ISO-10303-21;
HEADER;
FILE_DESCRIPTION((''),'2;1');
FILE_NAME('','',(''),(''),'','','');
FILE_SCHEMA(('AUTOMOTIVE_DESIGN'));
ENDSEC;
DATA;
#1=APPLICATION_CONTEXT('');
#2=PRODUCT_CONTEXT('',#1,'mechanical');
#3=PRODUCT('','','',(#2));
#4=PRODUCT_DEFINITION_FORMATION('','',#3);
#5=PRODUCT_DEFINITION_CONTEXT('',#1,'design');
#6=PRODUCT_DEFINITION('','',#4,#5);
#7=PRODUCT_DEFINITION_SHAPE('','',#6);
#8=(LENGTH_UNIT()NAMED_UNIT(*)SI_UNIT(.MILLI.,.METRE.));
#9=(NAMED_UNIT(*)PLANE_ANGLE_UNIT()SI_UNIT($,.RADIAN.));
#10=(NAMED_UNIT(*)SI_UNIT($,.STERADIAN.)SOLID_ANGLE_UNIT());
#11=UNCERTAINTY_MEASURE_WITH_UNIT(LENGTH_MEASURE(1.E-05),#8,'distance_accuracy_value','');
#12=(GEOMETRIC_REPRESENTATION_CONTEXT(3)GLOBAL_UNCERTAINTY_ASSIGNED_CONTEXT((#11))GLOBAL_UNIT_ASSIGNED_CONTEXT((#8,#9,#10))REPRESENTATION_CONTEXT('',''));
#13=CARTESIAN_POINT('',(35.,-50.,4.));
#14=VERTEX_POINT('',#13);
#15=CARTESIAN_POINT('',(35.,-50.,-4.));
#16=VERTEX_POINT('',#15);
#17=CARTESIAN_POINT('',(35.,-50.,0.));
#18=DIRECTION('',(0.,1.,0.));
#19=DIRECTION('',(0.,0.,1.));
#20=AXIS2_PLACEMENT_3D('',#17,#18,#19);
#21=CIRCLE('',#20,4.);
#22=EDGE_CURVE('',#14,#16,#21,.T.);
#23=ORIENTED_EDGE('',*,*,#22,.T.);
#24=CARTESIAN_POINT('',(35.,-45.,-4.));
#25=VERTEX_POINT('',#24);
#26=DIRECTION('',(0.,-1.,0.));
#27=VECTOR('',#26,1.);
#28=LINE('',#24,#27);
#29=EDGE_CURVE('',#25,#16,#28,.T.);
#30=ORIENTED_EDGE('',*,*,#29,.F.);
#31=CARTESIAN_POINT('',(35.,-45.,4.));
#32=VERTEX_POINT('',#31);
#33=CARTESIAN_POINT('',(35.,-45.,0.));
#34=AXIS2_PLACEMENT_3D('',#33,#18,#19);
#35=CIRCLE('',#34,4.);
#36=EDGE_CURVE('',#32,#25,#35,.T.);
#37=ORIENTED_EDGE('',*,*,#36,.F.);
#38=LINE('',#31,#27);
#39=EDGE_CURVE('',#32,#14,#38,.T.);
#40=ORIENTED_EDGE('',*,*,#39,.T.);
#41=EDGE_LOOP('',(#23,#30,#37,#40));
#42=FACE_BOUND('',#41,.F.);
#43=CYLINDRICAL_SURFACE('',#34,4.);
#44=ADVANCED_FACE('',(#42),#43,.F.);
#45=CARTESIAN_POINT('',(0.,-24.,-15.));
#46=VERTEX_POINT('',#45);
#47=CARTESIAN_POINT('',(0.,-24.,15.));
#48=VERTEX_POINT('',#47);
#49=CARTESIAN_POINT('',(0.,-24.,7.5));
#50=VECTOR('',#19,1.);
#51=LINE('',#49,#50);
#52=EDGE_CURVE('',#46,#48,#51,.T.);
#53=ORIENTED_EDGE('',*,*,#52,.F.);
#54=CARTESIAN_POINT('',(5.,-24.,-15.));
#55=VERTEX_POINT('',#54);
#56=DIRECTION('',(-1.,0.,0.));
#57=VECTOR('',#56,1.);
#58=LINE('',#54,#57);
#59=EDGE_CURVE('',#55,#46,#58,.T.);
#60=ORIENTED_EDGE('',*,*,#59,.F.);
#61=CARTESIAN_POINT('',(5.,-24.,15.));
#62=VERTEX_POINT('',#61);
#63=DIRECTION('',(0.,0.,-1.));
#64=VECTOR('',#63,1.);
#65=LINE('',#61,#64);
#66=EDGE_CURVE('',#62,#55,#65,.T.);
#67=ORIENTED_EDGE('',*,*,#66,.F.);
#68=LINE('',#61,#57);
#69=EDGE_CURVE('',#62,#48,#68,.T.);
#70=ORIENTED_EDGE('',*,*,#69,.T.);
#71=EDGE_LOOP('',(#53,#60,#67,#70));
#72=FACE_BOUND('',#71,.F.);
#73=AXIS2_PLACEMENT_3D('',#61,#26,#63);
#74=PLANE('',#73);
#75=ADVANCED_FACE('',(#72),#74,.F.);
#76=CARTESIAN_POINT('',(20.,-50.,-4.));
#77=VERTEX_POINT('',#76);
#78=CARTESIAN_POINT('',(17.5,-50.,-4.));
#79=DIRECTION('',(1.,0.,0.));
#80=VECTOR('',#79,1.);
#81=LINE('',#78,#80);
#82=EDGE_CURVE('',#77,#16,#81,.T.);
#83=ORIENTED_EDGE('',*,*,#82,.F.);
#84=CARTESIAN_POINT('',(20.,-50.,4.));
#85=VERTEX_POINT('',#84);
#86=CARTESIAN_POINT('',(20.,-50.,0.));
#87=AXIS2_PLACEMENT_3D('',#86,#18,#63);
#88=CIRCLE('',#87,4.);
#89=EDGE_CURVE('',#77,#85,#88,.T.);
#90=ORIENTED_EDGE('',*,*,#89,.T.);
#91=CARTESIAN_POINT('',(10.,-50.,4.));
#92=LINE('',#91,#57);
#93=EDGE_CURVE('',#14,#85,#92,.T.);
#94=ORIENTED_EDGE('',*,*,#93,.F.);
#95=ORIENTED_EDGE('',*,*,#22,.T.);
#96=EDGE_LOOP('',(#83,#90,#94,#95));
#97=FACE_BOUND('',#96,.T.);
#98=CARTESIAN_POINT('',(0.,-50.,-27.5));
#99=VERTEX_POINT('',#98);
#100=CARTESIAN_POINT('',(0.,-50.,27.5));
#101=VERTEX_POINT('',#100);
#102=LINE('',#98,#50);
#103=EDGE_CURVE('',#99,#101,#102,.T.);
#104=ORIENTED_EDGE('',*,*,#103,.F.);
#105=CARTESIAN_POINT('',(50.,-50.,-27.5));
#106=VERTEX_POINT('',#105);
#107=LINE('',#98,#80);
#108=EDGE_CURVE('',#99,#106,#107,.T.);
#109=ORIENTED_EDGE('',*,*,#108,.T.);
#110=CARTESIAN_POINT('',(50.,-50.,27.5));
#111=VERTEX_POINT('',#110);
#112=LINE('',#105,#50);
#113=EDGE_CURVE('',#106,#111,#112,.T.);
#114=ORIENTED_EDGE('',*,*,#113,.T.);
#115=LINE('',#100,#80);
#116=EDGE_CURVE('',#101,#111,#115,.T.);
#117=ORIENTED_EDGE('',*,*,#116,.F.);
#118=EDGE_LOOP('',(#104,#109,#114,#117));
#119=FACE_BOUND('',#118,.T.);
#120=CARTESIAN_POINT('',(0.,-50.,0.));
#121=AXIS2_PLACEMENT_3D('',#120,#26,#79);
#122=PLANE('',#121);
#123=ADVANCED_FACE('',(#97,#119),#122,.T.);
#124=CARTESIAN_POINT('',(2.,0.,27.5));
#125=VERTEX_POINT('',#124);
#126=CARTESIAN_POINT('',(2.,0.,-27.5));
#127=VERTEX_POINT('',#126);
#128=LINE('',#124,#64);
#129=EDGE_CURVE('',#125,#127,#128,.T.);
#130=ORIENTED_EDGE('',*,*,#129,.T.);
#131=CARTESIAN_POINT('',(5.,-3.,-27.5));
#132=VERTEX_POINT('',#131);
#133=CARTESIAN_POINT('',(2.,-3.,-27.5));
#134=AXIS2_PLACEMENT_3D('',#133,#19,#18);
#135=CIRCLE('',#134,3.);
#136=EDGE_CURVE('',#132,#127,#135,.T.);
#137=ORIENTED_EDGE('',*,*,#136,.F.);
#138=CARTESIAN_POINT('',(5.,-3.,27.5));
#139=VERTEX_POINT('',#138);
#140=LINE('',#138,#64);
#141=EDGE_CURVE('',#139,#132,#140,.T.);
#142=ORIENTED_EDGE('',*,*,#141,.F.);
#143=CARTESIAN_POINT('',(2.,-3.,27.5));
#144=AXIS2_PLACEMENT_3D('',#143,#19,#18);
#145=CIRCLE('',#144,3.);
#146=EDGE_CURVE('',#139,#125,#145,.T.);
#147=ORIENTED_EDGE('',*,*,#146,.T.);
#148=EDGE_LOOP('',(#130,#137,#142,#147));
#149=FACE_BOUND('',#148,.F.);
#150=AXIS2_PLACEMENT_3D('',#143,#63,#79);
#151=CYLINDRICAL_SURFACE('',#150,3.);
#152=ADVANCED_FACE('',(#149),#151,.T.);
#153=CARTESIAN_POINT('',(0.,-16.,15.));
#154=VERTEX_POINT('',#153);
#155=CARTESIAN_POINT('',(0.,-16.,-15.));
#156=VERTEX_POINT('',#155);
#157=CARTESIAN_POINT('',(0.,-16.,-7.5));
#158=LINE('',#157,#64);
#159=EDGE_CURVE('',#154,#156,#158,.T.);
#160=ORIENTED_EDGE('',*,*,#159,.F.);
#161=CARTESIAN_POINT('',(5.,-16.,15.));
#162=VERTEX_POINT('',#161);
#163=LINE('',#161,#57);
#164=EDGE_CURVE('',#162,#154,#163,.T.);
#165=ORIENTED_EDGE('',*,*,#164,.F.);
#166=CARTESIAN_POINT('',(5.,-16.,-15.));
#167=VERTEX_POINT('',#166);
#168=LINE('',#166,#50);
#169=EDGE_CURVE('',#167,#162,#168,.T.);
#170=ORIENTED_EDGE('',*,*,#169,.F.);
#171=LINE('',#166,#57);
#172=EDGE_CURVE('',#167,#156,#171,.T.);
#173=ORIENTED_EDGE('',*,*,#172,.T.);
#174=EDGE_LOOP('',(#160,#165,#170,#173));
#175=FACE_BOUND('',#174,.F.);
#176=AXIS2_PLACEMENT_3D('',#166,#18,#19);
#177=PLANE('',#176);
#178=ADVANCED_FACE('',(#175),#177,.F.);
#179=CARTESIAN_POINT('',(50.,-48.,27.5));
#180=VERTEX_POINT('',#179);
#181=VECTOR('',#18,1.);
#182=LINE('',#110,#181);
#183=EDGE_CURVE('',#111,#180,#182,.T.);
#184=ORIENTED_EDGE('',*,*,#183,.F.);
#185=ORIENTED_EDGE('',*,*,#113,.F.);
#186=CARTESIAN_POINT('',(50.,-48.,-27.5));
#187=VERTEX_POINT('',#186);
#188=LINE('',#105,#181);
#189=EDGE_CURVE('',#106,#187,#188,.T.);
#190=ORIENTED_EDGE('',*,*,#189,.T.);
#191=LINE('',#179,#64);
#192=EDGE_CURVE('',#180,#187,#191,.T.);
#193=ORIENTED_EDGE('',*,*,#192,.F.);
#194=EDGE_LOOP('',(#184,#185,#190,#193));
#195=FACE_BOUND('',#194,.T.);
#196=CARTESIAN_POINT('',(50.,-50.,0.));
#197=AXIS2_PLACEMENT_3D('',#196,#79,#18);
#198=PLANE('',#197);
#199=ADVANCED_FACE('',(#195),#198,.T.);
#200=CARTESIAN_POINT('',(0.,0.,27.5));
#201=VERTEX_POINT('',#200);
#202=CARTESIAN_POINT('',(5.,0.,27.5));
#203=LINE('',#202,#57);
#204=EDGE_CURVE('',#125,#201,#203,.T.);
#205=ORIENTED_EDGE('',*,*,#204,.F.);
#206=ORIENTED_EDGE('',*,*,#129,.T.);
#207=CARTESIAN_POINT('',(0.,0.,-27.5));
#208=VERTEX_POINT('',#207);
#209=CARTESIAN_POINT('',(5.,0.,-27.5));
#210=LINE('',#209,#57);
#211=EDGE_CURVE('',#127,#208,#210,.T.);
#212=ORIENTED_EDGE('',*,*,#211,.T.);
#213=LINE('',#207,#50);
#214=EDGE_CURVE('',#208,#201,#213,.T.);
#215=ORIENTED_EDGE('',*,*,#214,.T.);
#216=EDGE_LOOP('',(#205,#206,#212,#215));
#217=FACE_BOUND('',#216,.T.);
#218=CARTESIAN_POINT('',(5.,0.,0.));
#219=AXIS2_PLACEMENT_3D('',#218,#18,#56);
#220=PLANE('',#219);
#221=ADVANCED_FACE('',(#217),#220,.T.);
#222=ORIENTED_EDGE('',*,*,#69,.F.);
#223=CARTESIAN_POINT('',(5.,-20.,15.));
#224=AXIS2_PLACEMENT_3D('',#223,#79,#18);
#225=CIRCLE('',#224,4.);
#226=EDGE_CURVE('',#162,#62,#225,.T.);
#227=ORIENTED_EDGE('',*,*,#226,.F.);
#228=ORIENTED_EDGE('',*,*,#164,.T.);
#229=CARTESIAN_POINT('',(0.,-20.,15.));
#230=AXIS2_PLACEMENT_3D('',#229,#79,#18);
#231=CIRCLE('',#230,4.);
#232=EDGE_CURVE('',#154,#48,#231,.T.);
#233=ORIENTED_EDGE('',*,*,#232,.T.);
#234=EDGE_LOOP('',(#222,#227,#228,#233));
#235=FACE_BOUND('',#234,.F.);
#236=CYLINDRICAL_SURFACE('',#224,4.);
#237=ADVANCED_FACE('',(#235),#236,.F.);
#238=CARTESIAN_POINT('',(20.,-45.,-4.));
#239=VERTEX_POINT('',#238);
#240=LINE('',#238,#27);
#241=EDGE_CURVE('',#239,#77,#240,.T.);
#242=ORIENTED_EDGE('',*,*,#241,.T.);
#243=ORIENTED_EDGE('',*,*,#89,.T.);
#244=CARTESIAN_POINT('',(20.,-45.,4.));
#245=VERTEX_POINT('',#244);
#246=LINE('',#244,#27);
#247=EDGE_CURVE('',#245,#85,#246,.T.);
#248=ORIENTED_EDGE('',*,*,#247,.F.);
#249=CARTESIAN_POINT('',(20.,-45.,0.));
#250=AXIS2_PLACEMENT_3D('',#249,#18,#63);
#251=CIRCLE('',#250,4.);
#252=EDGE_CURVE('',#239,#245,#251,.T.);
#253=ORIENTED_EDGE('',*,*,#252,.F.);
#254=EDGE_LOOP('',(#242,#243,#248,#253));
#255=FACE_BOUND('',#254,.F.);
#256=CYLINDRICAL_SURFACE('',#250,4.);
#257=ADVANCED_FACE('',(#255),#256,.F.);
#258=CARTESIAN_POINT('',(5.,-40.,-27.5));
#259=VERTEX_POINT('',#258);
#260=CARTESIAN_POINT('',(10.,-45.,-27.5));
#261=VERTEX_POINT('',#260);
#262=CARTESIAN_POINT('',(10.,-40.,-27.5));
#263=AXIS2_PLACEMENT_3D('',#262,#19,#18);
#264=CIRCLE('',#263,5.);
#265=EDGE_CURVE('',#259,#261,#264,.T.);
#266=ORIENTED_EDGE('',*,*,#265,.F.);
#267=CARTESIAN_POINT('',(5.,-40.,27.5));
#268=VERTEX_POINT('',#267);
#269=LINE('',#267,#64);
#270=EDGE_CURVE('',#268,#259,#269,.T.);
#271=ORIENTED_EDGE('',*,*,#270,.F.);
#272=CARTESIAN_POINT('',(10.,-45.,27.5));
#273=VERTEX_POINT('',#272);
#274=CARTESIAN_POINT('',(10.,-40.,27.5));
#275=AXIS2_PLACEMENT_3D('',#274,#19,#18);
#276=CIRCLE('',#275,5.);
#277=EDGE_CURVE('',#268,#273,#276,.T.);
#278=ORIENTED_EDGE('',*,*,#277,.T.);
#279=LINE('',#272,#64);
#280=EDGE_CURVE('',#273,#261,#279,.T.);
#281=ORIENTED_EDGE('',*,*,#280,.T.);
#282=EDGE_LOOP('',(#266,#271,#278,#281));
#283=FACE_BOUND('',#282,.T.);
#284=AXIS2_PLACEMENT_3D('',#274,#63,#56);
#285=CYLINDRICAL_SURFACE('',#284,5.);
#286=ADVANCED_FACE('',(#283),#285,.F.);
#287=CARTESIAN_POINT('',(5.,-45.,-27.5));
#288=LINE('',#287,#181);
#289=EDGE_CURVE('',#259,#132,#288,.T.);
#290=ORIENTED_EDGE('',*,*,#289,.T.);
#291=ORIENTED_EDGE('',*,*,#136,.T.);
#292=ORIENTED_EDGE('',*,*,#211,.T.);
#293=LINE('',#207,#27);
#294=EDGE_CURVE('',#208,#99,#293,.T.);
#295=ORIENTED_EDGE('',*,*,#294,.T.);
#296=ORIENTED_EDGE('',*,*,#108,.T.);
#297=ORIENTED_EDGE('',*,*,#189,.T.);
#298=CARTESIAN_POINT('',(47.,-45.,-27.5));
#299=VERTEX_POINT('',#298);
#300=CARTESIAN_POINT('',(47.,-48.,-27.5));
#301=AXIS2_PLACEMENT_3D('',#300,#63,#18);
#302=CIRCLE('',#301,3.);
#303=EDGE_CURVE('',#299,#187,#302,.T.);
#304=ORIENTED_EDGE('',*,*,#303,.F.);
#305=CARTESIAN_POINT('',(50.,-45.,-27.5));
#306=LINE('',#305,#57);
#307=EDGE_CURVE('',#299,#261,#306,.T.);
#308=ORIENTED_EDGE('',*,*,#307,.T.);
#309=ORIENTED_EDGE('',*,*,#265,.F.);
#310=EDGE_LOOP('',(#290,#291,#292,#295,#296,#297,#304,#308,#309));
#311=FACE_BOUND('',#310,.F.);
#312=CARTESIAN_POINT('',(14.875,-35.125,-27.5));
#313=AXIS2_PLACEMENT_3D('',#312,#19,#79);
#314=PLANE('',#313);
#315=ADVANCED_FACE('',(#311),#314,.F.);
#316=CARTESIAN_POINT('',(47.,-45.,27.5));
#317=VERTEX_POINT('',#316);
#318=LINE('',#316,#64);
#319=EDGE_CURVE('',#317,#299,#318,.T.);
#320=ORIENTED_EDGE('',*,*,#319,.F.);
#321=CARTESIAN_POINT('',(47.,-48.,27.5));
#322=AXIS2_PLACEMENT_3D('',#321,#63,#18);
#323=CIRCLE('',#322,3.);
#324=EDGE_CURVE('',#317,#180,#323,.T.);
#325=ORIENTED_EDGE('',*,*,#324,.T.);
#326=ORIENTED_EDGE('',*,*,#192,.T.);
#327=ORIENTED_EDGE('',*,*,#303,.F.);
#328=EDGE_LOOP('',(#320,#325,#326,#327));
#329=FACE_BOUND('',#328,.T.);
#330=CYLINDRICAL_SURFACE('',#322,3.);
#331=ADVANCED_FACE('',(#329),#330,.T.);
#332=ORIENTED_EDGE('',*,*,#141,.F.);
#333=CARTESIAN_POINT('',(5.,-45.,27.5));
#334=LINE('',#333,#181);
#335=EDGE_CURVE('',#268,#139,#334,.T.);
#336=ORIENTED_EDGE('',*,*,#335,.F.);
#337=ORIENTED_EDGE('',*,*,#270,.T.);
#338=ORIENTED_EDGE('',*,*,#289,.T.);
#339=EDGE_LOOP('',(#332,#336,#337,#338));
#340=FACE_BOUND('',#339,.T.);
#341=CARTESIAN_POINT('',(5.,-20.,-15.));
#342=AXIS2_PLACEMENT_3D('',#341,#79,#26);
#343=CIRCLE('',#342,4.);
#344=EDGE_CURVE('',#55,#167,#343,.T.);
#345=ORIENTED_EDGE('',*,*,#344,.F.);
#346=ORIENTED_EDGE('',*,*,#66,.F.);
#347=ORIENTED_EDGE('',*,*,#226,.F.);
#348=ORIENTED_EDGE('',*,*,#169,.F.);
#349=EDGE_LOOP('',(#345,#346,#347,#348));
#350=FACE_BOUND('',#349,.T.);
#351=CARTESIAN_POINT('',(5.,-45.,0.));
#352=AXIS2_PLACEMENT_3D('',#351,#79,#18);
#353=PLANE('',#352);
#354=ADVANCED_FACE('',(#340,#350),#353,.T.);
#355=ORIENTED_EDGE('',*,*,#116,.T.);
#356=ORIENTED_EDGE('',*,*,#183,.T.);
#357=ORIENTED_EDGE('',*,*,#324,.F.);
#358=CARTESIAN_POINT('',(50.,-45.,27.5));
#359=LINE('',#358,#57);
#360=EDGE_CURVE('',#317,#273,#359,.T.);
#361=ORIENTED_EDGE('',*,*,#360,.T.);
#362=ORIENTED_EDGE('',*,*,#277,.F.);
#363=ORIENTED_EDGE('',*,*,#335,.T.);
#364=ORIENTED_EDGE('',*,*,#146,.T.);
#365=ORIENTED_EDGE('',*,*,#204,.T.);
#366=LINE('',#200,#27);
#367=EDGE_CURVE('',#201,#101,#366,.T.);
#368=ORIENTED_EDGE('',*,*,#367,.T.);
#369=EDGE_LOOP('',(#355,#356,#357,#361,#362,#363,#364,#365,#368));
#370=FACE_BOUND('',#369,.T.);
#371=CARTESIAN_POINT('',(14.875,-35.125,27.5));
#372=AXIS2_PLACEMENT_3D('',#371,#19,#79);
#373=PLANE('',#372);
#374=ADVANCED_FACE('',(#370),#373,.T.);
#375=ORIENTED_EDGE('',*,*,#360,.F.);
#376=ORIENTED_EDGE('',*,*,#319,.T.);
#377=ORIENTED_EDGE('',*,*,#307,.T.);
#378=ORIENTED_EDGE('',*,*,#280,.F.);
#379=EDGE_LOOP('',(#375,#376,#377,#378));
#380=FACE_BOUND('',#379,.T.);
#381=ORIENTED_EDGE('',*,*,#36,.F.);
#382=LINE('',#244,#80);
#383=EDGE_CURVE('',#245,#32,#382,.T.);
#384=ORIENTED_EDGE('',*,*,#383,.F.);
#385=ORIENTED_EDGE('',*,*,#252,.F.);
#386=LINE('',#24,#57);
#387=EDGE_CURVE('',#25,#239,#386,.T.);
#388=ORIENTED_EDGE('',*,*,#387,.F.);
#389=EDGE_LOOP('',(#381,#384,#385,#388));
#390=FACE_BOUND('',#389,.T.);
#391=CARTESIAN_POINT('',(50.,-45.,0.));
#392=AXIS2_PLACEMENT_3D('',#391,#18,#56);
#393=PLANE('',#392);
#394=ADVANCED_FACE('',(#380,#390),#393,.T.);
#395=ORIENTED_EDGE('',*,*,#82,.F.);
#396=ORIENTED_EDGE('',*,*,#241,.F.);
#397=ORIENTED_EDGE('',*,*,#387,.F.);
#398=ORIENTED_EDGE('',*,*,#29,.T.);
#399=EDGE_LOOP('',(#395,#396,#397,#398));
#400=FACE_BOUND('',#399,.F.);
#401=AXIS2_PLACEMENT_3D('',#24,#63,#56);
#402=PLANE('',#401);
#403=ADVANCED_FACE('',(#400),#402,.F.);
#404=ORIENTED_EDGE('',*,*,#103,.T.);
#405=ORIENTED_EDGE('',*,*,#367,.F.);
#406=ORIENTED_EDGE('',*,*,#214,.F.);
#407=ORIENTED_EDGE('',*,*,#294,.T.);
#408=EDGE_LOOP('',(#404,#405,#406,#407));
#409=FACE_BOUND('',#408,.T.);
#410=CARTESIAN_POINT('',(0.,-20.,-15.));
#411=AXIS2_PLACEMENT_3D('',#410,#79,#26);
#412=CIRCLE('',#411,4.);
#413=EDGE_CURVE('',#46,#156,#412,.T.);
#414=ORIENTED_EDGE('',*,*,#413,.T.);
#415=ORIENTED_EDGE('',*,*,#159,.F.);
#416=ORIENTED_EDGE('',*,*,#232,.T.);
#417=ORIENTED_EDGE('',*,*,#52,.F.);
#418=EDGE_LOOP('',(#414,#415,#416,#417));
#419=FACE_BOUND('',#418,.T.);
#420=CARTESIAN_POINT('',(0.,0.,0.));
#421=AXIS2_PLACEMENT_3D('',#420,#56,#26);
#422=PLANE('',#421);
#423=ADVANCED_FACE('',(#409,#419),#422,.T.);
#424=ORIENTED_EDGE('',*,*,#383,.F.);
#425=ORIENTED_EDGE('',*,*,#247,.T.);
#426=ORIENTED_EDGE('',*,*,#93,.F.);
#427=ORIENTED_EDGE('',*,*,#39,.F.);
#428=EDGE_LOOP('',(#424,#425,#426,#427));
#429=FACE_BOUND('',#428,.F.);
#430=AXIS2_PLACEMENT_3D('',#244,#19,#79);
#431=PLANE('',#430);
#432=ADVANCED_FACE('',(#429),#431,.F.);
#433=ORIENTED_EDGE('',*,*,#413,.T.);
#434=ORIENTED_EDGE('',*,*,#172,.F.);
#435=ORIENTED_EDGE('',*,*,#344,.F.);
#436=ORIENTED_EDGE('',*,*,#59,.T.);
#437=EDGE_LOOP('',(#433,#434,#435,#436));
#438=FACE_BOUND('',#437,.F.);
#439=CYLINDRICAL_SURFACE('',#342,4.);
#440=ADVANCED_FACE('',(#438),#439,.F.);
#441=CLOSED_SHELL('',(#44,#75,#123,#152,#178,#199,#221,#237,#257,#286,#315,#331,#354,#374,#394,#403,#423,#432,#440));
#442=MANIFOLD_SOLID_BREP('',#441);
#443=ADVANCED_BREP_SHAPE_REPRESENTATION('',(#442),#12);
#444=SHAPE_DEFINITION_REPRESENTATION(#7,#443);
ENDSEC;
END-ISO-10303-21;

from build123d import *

# Parameters (mm, degrees)
F1_DEPTH = 27.5
F2_R     = 5
F3_R     = 3
F5_DEPTH = 5.001
F7_DEPTH = 5.001


with BuildPart() as f1:
    # F0 (on Top) → F1 (new body, symmetric)
    with BuildSketch(Plane.XY):
        Polygon((5, 0), (0, 0), (0, -50), (50, -50), (50, -45), (5, -45), align=None)
    extrude(amount=F1_DEPTH, both=True)

    # F2
    f2_edges = [f1.edges().sort_by_distance(p)[0] for p in [
        (5, -45, 0),
    ]]
    fillet(f2_edges, radius=F2_R)

    # F3
    f3_edges = [f1.edges().sort_by_distance(p)[0] for p in [
        (5, 0, 0),
        (50, -45, 0),
    ]]
    fillet(f3_edges, radius=F3_R)

    # F4 (on face) → F5 (cut, through all)
    with BuildSketch(Plane.YZ.offset(5)):
        with BuildLine():
            ThreePointArc((-16, 15), (-20, 19), (-24, 15))
            Line((-24, 15), (-24, -15))
            ThreePointArc((-24, -15), (-20, -19), (-16, -15))
            Line((-16, -15), (-16, 15))
        make_face()
    extrude(amount=-F5_DEPTH, mode=Mode.SUBTRACT)

    # F6 (on face) → F7 (cut, through all)
    with BuildSketch(Plane(origin=(0, -45, 0), x_dir=(-1, 0, 0), z_dir=(0, 1, 0))):
        with BuildLine():
            Line((-20, 4), (-35, 4))
            ThreePointArc((-35, 4), (-39, 0), (-35, -4))
            Line((-35, -4), (-20, -4))
            ThreePointArc((-20, -4), (-16, 0), (-20, 4))
        make_face()
    extrude(amount=-F7_DEPTH, mode=Mode.SUBTRACT)


solid = f1.part
